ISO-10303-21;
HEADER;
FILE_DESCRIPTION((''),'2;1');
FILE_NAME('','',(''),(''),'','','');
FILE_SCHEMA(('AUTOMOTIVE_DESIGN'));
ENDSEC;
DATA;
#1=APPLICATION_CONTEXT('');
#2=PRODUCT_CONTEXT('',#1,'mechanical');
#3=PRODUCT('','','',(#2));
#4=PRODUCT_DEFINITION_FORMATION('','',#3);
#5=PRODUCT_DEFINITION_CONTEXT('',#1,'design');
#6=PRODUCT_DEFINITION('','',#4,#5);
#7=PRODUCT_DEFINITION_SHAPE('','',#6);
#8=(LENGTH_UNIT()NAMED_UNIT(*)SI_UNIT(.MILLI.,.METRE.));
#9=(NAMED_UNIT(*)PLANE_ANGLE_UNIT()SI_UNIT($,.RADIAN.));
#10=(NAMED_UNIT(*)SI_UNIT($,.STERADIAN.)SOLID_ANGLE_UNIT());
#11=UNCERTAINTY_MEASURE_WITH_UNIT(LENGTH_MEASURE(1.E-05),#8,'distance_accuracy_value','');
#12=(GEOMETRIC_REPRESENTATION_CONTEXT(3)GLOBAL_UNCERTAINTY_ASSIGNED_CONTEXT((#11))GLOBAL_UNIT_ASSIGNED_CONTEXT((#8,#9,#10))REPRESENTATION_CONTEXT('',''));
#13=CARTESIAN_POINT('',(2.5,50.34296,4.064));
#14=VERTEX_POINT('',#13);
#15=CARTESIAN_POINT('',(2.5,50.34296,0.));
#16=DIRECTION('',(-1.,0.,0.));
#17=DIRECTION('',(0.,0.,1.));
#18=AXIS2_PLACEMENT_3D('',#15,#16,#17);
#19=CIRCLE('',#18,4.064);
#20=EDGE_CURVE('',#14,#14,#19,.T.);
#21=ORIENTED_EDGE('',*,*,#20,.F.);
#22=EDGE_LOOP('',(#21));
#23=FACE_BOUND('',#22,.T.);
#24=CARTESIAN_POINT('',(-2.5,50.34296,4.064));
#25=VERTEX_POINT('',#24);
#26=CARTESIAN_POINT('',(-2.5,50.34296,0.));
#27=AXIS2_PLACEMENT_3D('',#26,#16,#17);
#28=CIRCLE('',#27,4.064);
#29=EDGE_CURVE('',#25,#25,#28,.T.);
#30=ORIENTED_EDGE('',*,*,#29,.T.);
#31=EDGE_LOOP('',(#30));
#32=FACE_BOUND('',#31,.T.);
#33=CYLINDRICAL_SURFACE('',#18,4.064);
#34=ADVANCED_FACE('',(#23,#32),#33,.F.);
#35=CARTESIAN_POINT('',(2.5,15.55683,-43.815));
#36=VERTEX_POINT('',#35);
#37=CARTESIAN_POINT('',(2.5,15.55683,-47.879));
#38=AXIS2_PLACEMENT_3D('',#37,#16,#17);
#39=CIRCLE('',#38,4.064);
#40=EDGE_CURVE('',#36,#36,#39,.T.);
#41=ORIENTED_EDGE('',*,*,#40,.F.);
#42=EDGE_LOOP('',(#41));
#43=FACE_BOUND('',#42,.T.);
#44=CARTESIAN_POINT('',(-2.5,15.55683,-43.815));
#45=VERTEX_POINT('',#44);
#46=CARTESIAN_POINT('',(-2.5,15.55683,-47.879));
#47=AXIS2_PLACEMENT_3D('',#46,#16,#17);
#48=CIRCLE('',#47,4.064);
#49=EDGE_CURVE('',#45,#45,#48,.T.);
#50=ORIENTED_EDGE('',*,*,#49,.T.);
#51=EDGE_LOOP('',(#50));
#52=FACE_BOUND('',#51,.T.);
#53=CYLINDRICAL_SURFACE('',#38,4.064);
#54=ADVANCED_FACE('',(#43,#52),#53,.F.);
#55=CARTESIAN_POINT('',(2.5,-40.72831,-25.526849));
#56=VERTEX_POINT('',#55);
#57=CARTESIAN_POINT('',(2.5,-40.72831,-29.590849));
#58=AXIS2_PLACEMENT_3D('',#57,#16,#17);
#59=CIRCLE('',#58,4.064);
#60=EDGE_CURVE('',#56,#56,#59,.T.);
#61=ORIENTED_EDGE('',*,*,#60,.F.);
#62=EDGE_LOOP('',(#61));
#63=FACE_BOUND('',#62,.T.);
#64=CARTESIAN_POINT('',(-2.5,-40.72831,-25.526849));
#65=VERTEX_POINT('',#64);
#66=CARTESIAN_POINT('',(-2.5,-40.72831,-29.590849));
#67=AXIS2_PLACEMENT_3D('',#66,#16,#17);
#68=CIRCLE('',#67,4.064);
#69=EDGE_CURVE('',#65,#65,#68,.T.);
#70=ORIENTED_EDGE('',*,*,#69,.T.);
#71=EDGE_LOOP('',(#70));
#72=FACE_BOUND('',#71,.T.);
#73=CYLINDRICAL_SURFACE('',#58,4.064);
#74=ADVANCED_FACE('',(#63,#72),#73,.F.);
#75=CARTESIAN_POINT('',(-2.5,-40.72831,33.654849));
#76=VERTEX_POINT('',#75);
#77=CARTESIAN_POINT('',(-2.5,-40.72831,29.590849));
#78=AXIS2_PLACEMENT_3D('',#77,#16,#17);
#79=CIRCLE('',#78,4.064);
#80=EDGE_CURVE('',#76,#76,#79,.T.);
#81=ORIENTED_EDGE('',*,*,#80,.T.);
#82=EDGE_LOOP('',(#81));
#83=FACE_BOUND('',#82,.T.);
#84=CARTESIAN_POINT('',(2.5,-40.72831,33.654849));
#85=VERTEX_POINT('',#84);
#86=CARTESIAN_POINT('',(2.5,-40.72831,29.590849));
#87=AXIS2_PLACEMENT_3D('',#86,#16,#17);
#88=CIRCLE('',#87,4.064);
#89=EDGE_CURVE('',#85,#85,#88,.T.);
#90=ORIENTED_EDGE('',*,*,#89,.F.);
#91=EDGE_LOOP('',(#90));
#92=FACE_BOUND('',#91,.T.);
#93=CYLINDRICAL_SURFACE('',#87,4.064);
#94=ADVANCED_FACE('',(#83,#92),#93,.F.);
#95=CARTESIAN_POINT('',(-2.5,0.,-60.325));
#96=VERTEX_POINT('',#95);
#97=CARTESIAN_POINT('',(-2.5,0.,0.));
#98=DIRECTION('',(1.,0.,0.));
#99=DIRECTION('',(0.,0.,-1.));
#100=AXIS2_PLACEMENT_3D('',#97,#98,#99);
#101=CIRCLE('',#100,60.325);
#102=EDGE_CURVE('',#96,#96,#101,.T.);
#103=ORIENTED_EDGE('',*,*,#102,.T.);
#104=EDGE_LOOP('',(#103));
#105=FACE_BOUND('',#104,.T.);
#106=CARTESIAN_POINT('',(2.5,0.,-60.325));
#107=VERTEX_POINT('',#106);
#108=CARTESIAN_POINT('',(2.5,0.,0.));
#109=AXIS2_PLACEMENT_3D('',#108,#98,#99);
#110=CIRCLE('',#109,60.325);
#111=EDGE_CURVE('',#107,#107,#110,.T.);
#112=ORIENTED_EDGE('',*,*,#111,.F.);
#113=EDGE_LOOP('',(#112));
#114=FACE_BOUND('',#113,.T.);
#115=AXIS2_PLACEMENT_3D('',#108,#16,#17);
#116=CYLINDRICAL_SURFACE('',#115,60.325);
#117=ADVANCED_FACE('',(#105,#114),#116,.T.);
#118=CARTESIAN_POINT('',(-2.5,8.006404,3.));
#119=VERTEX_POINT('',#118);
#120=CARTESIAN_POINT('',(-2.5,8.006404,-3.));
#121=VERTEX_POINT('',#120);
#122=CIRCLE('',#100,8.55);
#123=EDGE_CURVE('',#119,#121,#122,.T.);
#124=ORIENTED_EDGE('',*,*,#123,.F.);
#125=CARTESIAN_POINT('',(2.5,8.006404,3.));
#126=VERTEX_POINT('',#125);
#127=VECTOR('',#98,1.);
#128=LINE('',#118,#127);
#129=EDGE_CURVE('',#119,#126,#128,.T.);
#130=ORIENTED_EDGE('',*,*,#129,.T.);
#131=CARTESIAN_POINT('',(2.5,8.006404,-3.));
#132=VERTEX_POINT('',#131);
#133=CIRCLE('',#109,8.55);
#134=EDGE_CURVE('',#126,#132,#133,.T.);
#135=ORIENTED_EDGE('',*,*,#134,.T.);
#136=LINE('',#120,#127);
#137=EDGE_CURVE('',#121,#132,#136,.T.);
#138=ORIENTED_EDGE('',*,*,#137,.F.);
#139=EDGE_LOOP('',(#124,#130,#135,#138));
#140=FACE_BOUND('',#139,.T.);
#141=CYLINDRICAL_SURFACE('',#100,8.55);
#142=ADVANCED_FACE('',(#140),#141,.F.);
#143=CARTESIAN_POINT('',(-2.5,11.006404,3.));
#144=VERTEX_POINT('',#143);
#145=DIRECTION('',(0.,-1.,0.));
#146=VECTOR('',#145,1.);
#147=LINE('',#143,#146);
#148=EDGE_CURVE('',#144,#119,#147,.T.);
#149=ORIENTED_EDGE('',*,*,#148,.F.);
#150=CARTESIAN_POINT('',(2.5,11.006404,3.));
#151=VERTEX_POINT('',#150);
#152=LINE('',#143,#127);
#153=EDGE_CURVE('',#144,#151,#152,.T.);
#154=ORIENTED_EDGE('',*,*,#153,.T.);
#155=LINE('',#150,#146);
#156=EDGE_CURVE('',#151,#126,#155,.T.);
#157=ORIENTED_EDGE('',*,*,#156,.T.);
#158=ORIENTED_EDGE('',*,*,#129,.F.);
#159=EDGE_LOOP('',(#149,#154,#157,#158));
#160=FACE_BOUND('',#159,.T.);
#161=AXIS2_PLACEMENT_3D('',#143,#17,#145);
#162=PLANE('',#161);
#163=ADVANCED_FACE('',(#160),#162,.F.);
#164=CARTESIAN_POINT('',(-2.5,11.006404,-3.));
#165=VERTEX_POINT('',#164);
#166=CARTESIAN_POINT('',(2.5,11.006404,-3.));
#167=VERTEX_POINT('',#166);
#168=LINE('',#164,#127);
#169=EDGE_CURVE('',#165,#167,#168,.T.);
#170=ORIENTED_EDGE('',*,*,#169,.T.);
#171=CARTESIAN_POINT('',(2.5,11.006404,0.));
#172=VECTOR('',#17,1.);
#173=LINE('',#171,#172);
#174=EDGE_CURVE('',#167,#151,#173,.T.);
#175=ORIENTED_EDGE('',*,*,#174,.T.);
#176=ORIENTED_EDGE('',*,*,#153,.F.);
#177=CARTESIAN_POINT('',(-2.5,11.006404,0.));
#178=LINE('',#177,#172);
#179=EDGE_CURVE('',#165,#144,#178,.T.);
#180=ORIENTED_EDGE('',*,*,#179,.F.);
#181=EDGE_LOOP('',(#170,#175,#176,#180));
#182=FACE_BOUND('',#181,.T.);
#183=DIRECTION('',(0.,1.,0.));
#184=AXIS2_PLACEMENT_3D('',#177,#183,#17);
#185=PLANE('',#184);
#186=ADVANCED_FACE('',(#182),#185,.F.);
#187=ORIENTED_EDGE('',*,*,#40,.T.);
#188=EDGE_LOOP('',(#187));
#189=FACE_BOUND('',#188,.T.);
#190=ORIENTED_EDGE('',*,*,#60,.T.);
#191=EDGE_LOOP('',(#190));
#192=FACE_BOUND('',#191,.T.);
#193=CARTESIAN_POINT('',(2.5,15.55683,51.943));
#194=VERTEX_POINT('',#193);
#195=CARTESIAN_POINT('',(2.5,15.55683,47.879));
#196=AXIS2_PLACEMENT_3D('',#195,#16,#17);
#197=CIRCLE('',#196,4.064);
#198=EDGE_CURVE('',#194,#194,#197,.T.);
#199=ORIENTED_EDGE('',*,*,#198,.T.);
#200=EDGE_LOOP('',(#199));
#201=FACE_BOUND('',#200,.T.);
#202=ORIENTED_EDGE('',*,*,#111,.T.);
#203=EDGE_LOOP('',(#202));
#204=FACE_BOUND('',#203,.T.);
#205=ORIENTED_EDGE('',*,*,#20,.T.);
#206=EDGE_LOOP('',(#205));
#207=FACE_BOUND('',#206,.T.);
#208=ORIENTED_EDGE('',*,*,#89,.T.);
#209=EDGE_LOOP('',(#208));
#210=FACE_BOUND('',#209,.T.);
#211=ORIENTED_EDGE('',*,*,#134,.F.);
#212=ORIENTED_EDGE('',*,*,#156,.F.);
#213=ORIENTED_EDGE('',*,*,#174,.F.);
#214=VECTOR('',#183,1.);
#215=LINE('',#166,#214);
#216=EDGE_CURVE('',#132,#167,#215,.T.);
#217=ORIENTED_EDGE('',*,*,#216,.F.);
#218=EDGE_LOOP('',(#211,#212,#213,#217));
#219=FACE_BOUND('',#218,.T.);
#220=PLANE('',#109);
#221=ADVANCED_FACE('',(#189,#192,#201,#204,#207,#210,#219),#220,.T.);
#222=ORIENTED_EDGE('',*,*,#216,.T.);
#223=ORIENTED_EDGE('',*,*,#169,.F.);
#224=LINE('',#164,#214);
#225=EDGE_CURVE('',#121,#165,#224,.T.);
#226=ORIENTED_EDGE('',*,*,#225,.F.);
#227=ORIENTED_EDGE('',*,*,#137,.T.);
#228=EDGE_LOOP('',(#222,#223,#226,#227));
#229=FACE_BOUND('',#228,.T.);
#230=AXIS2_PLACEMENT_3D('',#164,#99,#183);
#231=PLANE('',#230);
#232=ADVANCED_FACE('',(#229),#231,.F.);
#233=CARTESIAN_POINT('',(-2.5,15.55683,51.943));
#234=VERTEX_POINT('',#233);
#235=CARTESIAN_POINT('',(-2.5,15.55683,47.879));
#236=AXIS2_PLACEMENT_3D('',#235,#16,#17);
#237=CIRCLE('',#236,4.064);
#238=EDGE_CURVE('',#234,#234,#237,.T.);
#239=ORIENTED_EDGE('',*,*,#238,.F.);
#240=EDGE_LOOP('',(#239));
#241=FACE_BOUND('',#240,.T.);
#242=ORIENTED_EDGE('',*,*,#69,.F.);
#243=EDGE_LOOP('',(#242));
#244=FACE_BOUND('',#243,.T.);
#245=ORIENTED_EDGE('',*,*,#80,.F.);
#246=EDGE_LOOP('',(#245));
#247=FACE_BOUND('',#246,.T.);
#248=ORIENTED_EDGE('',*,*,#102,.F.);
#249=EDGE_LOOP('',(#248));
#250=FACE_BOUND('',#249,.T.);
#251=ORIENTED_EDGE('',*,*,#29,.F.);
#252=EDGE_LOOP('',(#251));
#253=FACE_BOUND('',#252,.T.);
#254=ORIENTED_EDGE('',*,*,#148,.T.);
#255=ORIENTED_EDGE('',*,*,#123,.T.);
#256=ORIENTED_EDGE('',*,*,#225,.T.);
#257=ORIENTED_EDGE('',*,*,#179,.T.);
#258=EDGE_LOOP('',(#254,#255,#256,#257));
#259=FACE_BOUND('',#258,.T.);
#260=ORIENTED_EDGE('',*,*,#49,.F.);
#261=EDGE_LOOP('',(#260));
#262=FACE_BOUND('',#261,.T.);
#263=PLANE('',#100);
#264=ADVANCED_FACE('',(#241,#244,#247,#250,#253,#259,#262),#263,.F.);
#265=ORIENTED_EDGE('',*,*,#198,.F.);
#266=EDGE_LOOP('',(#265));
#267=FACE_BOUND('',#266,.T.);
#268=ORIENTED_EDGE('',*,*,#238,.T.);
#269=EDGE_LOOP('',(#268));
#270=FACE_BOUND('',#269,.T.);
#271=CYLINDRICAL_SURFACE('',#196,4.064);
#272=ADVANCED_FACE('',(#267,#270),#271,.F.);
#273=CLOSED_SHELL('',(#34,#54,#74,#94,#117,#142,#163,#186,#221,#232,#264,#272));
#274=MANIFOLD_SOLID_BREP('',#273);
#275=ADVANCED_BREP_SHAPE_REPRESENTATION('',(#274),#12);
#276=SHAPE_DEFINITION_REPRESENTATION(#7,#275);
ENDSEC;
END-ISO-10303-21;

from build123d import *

# Parameters (mm, degrees)
SKETCH1_R           = 60.325
BOSS_EXTRUDE1_DEPTH = 2.5
SKETCH2_R           = 4.064
CUT_EXTRUDE1_DEPTH  = 86.458827806
CUT_EXTRUDE4_DEPTH  = 86.458827806


with BuildPart() as part:
    # Sketch1 → Boss-Extrude1 (new, symmetric)
    with BuildSketch(Plane(origin=(0, 0, 0), x_dir=(0, 0, -1), z_dir=(1, 0, 0))):
        Circle(SKETCH1_R)
    extrude(amount=BOSS_EXTRUDE1_DEPTH, both=True)

    # Sketch2 → Cut-Extrude1 (cut, through all)
    with BuildSketch(Plane.ZY.offset(2.5)):
        with Locations((0, 50.342959834)):
            Circle(SKETCH2_R)
        with Locations((47.879, 15.556830136)):
            Circle(SKETCH2_R)
        with Locations((29.590849347, -40.728310053)):
            Circle(SKETCH2_R)
        with Locations((-29.590849347, -40.728310053)):
            Circle(SKETCH2_R)
        with Locations((-47.879, 15.556830136)):
            Circle(SKETCH2_R)
    extrude(amount=-CUT_EXTRUDE1_DEPTH, mode=Mode.SUBTRACT)

    # Sketch8 → Cut-Extrude4 (cut, through all)
    with BuildSketch(Plane(origin=(2.5, 0, 0), x_dir=(0, 0, -1), z_dir=(1, 0, 0))):
        with BuildLine():
            Line((0, 11.006403687), (-3, 11.006403687))
            Line((-3, 11.006403687), (-3, 8.006403687))
            ThreePointArc((-3, 8.006403687), (0, -8.55), (3, 8.006403687))
            Line((3, 8.006403687), (3, 11.006403687))
            Line((3, 11.006403687), (0, 11.006403687))
        make_face()
    extrude(amount=-CUT_EXTRUDE4_DEPTH, mode=Mode.SUBTRACT)


solid = part.part
